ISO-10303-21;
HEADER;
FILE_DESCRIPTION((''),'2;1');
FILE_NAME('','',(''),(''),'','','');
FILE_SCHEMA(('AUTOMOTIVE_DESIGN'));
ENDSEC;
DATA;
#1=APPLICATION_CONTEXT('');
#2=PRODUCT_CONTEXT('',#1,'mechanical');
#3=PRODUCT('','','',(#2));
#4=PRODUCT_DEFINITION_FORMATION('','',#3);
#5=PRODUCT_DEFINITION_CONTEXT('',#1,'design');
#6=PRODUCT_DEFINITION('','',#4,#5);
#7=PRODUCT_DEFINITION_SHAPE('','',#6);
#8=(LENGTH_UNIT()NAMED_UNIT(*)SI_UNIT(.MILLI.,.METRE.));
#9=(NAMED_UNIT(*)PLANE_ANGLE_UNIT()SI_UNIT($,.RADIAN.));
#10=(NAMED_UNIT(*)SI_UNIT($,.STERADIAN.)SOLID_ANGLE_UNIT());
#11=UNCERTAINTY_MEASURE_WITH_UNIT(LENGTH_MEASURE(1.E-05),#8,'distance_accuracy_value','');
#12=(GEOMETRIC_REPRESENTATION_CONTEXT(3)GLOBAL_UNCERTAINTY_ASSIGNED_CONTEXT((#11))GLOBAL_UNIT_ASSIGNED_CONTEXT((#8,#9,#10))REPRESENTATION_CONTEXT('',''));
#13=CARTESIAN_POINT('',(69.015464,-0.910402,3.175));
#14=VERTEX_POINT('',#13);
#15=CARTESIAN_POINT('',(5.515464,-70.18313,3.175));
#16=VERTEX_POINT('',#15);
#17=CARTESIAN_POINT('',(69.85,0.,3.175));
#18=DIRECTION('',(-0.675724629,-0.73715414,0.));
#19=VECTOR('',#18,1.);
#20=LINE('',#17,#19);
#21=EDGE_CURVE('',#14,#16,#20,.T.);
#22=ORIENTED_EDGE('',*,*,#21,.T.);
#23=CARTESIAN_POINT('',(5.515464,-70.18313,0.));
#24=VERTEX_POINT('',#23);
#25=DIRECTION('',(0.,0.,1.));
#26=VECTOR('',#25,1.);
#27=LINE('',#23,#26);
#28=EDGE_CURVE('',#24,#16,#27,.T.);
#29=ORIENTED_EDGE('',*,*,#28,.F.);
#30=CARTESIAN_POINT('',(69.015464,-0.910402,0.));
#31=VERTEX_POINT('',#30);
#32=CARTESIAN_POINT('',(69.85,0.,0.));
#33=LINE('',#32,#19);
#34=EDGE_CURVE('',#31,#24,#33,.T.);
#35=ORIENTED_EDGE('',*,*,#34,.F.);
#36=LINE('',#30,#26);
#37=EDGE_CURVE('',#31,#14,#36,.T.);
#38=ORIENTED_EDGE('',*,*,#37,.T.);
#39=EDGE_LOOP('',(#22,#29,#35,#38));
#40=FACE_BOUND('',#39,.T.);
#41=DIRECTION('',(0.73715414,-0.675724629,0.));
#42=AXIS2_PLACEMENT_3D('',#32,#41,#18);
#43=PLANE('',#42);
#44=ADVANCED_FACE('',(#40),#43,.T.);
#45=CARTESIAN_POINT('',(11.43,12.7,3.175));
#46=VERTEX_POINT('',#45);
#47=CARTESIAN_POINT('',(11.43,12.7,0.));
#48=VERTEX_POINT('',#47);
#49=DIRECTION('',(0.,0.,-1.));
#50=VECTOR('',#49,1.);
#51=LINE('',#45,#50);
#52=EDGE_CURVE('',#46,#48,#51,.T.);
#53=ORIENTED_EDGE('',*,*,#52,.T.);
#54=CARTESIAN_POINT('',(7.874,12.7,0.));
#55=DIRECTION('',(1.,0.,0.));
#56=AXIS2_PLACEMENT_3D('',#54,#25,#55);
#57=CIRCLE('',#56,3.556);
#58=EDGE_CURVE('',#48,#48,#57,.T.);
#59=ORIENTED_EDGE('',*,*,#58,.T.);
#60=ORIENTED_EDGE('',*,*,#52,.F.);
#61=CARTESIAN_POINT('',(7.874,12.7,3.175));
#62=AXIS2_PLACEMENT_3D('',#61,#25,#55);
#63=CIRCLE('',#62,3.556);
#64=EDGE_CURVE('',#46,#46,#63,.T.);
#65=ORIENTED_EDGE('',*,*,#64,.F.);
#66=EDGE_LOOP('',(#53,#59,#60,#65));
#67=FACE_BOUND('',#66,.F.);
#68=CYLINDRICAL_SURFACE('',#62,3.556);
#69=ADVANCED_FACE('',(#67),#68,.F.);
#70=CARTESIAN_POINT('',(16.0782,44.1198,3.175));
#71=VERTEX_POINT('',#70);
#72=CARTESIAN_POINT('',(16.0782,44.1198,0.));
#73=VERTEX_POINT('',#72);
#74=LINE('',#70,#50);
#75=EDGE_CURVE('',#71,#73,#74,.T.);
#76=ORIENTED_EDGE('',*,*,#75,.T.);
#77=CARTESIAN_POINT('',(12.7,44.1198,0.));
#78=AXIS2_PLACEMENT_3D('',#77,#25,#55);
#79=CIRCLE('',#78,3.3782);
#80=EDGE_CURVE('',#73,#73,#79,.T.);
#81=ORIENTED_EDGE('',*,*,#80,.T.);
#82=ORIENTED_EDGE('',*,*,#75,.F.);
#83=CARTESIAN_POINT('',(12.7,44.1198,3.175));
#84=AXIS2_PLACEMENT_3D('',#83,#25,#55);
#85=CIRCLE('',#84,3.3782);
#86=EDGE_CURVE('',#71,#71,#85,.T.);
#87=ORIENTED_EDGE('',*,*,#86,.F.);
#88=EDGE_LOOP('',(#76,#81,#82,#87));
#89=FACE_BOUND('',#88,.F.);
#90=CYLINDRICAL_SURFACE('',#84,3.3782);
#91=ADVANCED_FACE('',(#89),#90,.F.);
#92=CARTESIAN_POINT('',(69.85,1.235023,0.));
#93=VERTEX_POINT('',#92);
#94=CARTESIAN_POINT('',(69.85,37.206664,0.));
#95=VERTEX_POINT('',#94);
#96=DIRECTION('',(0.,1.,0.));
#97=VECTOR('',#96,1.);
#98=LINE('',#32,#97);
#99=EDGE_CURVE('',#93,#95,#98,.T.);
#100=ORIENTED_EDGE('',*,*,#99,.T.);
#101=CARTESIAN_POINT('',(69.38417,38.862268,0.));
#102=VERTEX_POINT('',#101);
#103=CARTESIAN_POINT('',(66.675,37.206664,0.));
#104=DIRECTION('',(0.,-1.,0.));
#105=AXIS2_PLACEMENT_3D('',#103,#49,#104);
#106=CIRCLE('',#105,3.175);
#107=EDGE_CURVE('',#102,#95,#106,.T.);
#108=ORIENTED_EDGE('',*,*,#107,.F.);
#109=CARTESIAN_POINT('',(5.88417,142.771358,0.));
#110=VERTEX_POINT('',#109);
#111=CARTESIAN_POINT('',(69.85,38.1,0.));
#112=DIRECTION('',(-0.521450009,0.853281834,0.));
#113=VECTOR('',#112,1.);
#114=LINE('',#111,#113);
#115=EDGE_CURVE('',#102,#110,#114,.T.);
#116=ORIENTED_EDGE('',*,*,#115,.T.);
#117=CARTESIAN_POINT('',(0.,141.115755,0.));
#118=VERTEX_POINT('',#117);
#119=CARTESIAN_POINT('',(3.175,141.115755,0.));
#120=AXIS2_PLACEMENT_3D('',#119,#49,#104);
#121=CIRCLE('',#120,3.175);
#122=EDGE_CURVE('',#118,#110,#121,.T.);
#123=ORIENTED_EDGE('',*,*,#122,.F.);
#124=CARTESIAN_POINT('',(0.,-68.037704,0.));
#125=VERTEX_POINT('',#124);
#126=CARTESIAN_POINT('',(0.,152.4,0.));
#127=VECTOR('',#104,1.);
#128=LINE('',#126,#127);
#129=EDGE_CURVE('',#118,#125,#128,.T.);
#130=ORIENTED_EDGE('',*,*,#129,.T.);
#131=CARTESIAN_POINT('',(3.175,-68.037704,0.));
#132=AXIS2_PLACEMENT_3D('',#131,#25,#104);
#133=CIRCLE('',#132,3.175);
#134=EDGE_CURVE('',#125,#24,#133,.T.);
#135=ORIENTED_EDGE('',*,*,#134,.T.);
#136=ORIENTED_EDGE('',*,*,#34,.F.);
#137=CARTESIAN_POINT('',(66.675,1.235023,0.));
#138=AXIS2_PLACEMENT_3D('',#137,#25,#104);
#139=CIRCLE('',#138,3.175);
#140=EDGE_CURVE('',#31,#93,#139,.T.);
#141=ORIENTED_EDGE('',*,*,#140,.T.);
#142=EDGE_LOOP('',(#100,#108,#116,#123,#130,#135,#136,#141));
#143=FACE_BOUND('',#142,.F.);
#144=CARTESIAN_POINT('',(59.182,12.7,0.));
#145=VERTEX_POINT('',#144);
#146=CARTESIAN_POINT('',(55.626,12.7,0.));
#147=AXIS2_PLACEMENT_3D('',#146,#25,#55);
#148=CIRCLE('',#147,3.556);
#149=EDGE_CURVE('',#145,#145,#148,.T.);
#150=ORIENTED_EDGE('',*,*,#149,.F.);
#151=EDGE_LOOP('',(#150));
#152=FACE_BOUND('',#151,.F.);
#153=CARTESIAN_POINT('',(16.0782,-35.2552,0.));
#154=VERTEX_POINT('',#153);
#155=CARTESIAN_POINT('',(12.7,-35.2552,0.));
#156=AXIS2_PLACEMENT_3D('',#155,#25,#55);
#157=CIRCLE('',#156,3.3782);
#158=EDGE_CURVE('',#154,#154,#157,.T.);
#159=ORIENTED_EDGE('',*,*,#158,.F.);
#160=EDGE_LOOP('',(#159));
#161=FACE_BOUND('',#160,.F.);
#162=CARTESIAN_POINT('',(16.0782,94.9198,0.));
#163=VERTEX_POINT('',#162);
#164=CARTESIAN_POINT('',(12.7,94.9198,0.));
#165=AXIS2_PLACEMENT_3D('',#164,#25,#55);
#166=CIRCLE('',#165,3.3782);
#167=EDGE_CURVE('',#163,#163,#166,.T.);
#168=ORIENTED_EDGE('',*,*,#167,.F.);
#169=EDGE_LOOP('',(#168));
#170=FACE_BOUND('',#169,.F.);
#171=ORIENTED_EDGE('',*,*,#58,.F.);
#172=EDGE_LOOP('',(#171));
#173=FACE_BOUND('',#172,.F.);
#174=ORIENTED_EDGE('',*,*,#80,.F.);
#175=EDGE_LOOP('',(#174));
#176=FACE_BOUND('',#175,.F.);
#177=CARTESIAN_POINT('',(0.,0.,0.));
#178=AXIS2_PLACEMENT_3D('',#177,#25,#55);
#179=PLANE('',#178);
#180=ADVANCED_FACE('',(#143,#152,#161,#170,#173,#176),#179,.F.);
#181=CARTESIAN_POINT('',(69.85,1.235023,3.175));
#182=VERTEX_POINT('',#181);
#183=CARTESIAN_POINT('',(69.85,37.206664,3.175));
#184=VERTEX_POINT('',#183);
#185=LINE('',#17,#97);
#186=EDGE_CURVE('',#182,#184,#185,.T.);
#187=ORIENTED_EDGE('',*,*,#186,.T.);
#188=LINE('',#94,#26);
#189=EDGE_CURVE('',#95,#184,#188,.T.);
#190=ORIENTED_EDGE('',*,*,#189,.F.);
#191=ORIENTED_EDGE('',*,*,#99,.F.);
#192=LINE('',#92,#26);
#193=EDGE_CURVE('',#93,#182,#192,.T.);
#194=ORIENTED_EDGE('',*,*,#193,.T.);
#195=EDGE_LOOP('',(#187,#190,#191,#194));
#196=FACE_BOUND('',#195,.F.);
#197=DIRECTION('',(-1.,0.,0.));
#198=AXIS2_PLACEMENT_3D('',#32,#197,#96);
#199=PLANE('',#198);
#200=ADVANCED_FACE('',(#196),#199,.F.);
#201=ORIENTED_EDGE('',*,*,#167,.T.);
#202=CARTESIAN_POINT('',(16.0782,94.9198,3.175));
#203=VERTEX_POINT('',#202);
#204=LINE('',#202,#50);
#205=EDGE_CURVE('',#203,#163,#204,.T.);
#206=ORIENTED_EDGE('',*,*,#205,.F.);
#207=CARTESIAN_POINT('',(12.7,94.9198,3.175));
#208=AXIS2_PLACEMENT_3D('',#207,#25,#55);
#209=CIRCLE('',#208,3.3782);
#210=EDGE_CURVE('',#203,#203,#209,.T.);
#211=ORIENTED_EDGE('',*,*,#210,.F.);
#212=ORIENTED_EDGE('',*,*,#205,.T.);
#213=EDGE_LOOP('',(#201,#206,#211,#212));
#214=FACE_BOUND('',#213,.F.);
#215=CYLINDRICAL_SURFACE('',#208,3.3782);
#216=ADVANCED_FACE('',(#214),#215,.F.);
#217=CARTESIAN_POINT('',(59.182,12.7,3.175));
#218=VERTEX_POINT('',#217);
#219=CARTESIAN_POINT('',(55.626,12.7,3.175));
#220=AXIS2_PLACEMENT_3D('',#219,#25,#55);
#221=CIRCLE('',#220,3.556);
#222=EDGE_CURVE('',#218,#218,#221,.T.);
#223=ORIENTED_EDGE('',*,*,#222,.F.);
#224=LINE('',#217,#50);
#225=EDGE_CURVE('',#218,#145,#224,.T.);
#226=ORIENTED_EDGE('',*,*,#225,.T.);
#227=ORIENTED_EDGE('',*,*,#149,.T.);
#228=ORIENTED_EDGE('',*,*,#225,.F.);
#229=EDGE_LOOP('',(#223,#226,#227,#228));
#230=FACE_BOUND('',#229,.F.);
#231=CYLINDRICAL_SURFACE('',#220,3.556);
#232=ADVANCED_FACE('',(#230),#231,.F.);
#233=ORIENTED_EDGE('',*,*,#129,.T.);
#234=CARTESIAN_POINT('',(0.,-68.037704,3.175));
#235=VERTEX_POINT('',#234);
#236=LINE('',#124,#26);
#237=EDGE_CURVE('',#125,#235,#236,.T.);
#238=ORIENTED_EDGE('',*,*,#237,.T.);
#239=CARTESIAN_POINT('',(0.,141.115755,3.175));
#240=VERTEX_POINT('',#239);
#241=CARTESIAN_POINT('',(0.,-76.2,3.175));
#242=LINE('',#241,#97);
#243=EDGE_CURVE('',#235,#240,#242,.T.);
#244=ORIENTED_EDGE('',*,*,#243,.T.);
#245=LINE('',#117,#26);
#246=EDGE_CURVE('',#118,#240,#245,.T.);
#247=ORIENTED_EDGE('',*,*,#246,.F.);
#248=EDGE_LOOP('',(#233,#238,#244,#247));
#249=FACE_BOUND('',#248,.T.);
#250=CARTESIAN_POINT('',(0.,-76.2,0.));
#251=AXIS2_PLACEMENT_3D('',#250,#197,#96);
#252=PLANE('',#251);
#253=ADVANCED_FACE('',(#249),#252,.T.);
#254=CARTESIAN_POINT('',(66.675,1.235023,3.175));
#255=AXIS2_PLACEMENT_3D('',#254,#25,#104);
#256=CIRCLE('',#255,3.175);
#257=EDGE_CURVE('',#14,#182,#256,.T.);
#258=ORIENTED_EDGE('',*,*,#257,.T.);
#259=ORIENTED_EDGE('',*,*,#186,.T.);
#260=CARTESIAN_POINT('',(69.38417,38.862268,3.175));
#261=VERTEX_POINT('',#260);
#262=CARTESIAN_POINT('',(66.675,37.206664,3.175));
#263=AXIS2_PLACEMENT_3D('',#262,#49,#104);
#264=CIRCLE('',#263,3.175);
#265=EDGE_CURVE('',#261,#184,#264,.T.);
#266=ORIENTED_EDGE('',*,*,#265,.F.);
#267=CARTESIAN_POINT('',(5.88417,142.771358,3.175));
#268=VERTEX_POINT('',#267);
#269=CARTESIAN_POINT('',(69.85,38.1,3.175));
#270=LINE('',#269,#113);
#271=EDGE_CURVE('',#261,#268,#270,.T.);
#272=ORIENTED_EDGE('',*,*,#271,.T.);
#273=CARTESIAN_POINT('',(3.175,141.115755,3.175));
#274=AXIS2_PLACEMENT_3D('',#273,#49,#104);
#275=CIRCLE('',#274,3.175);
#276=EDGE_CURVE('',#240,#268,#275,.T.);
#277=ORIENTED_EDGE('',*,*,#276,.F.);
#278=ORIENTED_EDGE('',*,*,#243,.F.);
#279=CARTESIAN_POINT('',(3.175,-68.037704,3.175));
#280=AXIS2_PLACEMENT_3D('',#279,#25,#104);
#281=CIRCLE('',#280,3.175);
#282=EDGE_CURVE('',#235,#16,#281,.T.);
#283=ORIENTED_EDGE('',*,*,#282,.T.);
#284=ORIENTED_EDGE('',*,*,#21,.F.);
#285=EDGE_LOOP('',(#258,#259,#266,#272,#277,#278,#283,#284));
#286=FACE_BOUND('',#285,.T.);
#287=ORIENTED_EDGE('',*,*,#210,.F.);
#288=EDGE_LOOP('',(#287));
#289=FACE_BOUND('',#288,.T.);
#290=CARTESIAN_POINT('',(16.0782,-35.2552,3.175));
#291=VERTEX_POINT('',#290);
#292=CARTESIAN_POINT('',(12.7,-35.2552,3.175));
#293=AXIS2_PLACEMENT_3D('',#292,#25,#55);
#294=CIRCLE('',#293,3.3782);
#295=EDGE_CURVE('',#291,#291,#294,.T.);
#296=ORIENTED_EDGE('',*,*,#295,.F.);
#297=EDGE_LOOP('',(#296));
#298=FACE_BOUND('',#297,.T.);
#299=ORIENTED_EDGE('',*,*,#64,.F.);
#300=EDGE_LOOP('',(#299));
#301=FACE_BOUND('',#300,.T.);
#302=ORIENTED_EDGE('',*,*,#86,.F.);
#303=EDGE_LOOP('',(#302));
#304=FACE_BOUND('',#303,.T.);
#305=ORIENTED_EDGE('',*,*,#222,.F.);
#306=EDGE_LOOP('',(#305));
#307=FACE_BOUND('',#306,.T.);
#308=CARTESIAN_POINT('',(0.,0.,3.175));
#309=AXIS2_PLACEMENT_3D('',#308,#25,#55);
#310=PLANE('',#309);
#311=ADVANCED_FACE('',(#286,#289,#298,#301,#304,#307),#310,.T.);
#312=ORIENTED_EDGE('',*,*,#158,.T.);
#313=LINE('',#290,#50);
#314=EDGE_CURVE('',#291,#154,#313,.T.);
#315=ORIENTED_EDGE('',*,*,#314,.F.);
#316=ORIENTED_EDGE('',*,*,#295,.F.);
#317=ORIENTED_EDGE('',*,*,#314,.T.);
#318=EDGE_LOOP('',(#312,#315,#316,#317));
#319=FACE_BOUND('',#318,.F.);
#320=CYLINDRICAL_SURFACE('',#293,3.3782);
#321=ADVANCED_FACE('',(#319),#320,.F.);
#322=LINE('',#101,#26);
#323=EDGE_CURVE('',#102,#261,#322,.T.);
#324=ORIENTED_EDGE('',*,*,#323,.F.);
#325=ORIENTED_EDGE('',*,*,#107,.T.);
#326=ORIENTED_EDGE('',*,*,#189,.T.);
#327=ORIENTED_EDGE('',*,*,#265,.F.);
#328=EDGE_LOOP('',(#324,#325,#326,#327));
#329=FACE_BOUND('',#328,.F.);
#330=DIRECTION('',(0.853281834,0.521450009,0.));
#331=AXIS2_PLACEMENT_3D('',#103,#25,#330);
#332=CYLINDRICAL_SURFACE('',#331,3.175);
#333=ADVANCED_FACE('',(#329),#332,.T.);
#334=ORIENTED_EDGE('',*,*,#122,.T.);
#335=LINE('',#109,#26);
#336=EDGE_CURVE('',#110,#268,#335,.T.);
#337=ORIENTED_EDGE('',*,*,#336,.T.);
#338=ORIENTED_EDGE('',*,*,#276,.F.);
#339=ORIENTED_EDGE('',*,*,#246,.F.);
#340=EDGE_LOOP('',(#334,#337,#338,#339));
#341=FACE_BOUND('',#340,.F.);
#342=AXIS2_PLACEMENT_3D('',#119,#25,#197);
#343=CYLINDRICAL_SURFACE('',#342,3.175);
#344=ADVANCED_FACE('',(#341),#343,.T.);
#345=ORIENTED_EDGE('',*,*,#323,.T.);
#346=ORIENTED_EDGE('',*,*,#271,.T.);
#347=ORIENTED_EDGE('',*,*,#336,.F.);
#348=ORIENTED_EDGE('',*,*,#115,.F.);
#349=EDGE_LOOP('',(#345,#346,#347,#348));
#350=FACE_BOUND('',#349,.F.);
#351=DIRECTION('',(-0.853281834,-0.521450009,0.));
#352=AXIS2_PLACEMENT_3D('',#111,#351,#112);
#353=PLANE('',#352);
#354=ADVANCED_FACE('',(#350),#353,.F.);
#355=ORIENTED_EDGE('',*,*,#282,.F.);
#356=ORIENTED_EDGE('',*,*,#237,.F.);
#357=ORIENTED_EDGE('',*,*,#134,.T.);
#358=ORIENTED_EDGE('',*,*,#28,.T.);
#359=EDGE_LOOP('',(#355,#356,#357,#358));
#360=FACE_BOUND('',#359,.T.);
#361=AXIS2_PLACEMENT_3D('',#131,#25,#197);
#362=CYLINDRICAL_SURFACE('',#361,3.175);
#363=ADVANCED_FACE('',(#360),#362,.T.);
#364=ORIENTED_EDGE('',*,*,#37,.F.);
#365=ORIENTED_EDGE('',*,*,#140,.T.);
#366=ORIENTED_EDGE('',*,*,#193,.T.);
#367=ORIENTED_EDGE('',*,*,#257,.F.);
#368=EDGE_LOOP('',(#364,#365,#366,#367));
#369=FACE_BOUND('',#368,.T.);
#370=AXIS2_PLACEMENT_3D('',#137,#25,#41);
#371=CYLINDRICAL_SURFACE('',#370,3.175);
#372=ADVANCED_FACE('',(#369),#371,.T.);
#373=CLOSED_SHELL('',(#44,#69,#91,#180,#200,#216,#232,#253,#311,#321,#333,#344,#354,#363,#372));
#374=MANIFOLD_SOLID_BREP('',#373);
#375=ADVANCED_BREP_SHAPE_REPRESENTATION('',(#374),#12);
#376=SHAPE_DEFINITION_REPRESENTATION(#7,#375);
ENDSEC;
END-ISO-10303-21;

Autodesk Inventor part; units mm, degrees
ref_plane "YZ Plane" through (0, 0, 0) normal (1, 0, 0) x (0, 1, 0)
ref_plane "XZ Plane" through (0, 0, 0) normal (0, 1, 0) x (-1, 0, 0)
ref_plane "XY Plane" through (0, 0, 0) normal (0, 0, 1) x (1, 0, 0)
sketch "Sketch1" plane through (0, 0, 0) normal (0, 0, 1) x (1, 0, 0)
  line L0 (69.85, 0) -> (69.85, 38.1)
  line L1 (69.85, 38.1) -> (0, 152.4)
  line L2 (0, 152.4) -> (0, 0)
  line L3 (69.85, 0) -> (0, -76.2)
  line L4 (0, -76.2) -> (0, 0)
  dimension "d1" = 38.1
  dimension "d2" = 152.4
  dimension "d24" = 76.2
  dimension "d25" = 69.85
  dimension "d26" = 69.85
extrude "Extrusion1" add sketch "Sketch1" along normal blind 3.175
sketch "Sketch2" plane through (0, 0, 3.175) normal (0, 0, 1) x (1, 0, 0)
  line L0 (0, 0) -> (69.85, 0) projected
  line L1 (69.85, 0) -> (69.85, 38.1) projected
  line L2 (0, 152.4) -> (0, -76.2) projected
  circle A0 centre (7.874, 12.7) radius 3.556
  circle A1 centre (55.626, 12.7) radius 3.556
  dimension "d5" = 7.112
  dimension "d6" = 7.112
  dimension "d7" = 12.7
  dimension "d8" = 12.7
  dimension "d9" = 14.224
  dimension "d11" = 7.874
extrude "Extrusion2" cut sketch "Sketch2" against normal blind 25.4
fillet "Fillet1" radius 3.175 1 edges at (0, 152.4, 1.5875)
sketch "Sketch3" plane through (0, 0, 3.175) normal (0, 0, 1) x (1, 0, 0)
  line L0 (0, 141.1158) -> (0, -76.2) projected
  line L1 (0, 0) -> (69.85, 0) projected
  circle A0 centre (12.7, 94.9198) radius 3.3782
  circle A1 centre (12.7, 44.1198) radius 3.3782
  dimension "d15" = 6.7564
  dimension "d16" = 6.7564
  dimension "d17" = 12.7
  dimension "d18" = 12.7
  dimension "d19" = 44.1198
  dimension "d20" = 50.8
extrude "Extrusion3" cut sketch "Sketch3" against normal blind 25.4
fillet "Fillet2" radius 3.175 2 edges at (69.85, 0, 1.5875) (69.85, 38.1, 1.5875)
fillet "Fillet3" radius 3.175 1 edges at (0, -76.2, 1.5875)
sketch "Sketch4" plane through (0, 0, 3.175) normal (0, 0, 1) x (1, 0, 0)
  line L0 (0, 141.1158) -> (0, -68.0377) projected
  circle A0 centre (12.7, 44.1198) radius 3.3782 projected
  circle A1 centre (12.7, -35.2552) radius 3.3782
  point P0 (0, 0)
  dimension "d28" = 6.7564
  dimension "d29" = 79.375
  dimension "d30" = 12.7
extrude "Extrusion4" cut sketch "Sketch4" against normal blind 25.4 contours A1
sketch "Sketch5" plane through (0, 0, 3.175) normal (0, 0, 1) x (1, 0, 0)
  circle A0 centre (12.7, 44.1198) radius 3.3782 projected
  circle A1 centre (12.7, 94.9198) radius 3.3782 projected
  point P0 (0, 0)
extrude "Extrusion5" cut sketch "Sketch5" against normal blind 25.4
properties part number "Ninja cylinder support bracket"
